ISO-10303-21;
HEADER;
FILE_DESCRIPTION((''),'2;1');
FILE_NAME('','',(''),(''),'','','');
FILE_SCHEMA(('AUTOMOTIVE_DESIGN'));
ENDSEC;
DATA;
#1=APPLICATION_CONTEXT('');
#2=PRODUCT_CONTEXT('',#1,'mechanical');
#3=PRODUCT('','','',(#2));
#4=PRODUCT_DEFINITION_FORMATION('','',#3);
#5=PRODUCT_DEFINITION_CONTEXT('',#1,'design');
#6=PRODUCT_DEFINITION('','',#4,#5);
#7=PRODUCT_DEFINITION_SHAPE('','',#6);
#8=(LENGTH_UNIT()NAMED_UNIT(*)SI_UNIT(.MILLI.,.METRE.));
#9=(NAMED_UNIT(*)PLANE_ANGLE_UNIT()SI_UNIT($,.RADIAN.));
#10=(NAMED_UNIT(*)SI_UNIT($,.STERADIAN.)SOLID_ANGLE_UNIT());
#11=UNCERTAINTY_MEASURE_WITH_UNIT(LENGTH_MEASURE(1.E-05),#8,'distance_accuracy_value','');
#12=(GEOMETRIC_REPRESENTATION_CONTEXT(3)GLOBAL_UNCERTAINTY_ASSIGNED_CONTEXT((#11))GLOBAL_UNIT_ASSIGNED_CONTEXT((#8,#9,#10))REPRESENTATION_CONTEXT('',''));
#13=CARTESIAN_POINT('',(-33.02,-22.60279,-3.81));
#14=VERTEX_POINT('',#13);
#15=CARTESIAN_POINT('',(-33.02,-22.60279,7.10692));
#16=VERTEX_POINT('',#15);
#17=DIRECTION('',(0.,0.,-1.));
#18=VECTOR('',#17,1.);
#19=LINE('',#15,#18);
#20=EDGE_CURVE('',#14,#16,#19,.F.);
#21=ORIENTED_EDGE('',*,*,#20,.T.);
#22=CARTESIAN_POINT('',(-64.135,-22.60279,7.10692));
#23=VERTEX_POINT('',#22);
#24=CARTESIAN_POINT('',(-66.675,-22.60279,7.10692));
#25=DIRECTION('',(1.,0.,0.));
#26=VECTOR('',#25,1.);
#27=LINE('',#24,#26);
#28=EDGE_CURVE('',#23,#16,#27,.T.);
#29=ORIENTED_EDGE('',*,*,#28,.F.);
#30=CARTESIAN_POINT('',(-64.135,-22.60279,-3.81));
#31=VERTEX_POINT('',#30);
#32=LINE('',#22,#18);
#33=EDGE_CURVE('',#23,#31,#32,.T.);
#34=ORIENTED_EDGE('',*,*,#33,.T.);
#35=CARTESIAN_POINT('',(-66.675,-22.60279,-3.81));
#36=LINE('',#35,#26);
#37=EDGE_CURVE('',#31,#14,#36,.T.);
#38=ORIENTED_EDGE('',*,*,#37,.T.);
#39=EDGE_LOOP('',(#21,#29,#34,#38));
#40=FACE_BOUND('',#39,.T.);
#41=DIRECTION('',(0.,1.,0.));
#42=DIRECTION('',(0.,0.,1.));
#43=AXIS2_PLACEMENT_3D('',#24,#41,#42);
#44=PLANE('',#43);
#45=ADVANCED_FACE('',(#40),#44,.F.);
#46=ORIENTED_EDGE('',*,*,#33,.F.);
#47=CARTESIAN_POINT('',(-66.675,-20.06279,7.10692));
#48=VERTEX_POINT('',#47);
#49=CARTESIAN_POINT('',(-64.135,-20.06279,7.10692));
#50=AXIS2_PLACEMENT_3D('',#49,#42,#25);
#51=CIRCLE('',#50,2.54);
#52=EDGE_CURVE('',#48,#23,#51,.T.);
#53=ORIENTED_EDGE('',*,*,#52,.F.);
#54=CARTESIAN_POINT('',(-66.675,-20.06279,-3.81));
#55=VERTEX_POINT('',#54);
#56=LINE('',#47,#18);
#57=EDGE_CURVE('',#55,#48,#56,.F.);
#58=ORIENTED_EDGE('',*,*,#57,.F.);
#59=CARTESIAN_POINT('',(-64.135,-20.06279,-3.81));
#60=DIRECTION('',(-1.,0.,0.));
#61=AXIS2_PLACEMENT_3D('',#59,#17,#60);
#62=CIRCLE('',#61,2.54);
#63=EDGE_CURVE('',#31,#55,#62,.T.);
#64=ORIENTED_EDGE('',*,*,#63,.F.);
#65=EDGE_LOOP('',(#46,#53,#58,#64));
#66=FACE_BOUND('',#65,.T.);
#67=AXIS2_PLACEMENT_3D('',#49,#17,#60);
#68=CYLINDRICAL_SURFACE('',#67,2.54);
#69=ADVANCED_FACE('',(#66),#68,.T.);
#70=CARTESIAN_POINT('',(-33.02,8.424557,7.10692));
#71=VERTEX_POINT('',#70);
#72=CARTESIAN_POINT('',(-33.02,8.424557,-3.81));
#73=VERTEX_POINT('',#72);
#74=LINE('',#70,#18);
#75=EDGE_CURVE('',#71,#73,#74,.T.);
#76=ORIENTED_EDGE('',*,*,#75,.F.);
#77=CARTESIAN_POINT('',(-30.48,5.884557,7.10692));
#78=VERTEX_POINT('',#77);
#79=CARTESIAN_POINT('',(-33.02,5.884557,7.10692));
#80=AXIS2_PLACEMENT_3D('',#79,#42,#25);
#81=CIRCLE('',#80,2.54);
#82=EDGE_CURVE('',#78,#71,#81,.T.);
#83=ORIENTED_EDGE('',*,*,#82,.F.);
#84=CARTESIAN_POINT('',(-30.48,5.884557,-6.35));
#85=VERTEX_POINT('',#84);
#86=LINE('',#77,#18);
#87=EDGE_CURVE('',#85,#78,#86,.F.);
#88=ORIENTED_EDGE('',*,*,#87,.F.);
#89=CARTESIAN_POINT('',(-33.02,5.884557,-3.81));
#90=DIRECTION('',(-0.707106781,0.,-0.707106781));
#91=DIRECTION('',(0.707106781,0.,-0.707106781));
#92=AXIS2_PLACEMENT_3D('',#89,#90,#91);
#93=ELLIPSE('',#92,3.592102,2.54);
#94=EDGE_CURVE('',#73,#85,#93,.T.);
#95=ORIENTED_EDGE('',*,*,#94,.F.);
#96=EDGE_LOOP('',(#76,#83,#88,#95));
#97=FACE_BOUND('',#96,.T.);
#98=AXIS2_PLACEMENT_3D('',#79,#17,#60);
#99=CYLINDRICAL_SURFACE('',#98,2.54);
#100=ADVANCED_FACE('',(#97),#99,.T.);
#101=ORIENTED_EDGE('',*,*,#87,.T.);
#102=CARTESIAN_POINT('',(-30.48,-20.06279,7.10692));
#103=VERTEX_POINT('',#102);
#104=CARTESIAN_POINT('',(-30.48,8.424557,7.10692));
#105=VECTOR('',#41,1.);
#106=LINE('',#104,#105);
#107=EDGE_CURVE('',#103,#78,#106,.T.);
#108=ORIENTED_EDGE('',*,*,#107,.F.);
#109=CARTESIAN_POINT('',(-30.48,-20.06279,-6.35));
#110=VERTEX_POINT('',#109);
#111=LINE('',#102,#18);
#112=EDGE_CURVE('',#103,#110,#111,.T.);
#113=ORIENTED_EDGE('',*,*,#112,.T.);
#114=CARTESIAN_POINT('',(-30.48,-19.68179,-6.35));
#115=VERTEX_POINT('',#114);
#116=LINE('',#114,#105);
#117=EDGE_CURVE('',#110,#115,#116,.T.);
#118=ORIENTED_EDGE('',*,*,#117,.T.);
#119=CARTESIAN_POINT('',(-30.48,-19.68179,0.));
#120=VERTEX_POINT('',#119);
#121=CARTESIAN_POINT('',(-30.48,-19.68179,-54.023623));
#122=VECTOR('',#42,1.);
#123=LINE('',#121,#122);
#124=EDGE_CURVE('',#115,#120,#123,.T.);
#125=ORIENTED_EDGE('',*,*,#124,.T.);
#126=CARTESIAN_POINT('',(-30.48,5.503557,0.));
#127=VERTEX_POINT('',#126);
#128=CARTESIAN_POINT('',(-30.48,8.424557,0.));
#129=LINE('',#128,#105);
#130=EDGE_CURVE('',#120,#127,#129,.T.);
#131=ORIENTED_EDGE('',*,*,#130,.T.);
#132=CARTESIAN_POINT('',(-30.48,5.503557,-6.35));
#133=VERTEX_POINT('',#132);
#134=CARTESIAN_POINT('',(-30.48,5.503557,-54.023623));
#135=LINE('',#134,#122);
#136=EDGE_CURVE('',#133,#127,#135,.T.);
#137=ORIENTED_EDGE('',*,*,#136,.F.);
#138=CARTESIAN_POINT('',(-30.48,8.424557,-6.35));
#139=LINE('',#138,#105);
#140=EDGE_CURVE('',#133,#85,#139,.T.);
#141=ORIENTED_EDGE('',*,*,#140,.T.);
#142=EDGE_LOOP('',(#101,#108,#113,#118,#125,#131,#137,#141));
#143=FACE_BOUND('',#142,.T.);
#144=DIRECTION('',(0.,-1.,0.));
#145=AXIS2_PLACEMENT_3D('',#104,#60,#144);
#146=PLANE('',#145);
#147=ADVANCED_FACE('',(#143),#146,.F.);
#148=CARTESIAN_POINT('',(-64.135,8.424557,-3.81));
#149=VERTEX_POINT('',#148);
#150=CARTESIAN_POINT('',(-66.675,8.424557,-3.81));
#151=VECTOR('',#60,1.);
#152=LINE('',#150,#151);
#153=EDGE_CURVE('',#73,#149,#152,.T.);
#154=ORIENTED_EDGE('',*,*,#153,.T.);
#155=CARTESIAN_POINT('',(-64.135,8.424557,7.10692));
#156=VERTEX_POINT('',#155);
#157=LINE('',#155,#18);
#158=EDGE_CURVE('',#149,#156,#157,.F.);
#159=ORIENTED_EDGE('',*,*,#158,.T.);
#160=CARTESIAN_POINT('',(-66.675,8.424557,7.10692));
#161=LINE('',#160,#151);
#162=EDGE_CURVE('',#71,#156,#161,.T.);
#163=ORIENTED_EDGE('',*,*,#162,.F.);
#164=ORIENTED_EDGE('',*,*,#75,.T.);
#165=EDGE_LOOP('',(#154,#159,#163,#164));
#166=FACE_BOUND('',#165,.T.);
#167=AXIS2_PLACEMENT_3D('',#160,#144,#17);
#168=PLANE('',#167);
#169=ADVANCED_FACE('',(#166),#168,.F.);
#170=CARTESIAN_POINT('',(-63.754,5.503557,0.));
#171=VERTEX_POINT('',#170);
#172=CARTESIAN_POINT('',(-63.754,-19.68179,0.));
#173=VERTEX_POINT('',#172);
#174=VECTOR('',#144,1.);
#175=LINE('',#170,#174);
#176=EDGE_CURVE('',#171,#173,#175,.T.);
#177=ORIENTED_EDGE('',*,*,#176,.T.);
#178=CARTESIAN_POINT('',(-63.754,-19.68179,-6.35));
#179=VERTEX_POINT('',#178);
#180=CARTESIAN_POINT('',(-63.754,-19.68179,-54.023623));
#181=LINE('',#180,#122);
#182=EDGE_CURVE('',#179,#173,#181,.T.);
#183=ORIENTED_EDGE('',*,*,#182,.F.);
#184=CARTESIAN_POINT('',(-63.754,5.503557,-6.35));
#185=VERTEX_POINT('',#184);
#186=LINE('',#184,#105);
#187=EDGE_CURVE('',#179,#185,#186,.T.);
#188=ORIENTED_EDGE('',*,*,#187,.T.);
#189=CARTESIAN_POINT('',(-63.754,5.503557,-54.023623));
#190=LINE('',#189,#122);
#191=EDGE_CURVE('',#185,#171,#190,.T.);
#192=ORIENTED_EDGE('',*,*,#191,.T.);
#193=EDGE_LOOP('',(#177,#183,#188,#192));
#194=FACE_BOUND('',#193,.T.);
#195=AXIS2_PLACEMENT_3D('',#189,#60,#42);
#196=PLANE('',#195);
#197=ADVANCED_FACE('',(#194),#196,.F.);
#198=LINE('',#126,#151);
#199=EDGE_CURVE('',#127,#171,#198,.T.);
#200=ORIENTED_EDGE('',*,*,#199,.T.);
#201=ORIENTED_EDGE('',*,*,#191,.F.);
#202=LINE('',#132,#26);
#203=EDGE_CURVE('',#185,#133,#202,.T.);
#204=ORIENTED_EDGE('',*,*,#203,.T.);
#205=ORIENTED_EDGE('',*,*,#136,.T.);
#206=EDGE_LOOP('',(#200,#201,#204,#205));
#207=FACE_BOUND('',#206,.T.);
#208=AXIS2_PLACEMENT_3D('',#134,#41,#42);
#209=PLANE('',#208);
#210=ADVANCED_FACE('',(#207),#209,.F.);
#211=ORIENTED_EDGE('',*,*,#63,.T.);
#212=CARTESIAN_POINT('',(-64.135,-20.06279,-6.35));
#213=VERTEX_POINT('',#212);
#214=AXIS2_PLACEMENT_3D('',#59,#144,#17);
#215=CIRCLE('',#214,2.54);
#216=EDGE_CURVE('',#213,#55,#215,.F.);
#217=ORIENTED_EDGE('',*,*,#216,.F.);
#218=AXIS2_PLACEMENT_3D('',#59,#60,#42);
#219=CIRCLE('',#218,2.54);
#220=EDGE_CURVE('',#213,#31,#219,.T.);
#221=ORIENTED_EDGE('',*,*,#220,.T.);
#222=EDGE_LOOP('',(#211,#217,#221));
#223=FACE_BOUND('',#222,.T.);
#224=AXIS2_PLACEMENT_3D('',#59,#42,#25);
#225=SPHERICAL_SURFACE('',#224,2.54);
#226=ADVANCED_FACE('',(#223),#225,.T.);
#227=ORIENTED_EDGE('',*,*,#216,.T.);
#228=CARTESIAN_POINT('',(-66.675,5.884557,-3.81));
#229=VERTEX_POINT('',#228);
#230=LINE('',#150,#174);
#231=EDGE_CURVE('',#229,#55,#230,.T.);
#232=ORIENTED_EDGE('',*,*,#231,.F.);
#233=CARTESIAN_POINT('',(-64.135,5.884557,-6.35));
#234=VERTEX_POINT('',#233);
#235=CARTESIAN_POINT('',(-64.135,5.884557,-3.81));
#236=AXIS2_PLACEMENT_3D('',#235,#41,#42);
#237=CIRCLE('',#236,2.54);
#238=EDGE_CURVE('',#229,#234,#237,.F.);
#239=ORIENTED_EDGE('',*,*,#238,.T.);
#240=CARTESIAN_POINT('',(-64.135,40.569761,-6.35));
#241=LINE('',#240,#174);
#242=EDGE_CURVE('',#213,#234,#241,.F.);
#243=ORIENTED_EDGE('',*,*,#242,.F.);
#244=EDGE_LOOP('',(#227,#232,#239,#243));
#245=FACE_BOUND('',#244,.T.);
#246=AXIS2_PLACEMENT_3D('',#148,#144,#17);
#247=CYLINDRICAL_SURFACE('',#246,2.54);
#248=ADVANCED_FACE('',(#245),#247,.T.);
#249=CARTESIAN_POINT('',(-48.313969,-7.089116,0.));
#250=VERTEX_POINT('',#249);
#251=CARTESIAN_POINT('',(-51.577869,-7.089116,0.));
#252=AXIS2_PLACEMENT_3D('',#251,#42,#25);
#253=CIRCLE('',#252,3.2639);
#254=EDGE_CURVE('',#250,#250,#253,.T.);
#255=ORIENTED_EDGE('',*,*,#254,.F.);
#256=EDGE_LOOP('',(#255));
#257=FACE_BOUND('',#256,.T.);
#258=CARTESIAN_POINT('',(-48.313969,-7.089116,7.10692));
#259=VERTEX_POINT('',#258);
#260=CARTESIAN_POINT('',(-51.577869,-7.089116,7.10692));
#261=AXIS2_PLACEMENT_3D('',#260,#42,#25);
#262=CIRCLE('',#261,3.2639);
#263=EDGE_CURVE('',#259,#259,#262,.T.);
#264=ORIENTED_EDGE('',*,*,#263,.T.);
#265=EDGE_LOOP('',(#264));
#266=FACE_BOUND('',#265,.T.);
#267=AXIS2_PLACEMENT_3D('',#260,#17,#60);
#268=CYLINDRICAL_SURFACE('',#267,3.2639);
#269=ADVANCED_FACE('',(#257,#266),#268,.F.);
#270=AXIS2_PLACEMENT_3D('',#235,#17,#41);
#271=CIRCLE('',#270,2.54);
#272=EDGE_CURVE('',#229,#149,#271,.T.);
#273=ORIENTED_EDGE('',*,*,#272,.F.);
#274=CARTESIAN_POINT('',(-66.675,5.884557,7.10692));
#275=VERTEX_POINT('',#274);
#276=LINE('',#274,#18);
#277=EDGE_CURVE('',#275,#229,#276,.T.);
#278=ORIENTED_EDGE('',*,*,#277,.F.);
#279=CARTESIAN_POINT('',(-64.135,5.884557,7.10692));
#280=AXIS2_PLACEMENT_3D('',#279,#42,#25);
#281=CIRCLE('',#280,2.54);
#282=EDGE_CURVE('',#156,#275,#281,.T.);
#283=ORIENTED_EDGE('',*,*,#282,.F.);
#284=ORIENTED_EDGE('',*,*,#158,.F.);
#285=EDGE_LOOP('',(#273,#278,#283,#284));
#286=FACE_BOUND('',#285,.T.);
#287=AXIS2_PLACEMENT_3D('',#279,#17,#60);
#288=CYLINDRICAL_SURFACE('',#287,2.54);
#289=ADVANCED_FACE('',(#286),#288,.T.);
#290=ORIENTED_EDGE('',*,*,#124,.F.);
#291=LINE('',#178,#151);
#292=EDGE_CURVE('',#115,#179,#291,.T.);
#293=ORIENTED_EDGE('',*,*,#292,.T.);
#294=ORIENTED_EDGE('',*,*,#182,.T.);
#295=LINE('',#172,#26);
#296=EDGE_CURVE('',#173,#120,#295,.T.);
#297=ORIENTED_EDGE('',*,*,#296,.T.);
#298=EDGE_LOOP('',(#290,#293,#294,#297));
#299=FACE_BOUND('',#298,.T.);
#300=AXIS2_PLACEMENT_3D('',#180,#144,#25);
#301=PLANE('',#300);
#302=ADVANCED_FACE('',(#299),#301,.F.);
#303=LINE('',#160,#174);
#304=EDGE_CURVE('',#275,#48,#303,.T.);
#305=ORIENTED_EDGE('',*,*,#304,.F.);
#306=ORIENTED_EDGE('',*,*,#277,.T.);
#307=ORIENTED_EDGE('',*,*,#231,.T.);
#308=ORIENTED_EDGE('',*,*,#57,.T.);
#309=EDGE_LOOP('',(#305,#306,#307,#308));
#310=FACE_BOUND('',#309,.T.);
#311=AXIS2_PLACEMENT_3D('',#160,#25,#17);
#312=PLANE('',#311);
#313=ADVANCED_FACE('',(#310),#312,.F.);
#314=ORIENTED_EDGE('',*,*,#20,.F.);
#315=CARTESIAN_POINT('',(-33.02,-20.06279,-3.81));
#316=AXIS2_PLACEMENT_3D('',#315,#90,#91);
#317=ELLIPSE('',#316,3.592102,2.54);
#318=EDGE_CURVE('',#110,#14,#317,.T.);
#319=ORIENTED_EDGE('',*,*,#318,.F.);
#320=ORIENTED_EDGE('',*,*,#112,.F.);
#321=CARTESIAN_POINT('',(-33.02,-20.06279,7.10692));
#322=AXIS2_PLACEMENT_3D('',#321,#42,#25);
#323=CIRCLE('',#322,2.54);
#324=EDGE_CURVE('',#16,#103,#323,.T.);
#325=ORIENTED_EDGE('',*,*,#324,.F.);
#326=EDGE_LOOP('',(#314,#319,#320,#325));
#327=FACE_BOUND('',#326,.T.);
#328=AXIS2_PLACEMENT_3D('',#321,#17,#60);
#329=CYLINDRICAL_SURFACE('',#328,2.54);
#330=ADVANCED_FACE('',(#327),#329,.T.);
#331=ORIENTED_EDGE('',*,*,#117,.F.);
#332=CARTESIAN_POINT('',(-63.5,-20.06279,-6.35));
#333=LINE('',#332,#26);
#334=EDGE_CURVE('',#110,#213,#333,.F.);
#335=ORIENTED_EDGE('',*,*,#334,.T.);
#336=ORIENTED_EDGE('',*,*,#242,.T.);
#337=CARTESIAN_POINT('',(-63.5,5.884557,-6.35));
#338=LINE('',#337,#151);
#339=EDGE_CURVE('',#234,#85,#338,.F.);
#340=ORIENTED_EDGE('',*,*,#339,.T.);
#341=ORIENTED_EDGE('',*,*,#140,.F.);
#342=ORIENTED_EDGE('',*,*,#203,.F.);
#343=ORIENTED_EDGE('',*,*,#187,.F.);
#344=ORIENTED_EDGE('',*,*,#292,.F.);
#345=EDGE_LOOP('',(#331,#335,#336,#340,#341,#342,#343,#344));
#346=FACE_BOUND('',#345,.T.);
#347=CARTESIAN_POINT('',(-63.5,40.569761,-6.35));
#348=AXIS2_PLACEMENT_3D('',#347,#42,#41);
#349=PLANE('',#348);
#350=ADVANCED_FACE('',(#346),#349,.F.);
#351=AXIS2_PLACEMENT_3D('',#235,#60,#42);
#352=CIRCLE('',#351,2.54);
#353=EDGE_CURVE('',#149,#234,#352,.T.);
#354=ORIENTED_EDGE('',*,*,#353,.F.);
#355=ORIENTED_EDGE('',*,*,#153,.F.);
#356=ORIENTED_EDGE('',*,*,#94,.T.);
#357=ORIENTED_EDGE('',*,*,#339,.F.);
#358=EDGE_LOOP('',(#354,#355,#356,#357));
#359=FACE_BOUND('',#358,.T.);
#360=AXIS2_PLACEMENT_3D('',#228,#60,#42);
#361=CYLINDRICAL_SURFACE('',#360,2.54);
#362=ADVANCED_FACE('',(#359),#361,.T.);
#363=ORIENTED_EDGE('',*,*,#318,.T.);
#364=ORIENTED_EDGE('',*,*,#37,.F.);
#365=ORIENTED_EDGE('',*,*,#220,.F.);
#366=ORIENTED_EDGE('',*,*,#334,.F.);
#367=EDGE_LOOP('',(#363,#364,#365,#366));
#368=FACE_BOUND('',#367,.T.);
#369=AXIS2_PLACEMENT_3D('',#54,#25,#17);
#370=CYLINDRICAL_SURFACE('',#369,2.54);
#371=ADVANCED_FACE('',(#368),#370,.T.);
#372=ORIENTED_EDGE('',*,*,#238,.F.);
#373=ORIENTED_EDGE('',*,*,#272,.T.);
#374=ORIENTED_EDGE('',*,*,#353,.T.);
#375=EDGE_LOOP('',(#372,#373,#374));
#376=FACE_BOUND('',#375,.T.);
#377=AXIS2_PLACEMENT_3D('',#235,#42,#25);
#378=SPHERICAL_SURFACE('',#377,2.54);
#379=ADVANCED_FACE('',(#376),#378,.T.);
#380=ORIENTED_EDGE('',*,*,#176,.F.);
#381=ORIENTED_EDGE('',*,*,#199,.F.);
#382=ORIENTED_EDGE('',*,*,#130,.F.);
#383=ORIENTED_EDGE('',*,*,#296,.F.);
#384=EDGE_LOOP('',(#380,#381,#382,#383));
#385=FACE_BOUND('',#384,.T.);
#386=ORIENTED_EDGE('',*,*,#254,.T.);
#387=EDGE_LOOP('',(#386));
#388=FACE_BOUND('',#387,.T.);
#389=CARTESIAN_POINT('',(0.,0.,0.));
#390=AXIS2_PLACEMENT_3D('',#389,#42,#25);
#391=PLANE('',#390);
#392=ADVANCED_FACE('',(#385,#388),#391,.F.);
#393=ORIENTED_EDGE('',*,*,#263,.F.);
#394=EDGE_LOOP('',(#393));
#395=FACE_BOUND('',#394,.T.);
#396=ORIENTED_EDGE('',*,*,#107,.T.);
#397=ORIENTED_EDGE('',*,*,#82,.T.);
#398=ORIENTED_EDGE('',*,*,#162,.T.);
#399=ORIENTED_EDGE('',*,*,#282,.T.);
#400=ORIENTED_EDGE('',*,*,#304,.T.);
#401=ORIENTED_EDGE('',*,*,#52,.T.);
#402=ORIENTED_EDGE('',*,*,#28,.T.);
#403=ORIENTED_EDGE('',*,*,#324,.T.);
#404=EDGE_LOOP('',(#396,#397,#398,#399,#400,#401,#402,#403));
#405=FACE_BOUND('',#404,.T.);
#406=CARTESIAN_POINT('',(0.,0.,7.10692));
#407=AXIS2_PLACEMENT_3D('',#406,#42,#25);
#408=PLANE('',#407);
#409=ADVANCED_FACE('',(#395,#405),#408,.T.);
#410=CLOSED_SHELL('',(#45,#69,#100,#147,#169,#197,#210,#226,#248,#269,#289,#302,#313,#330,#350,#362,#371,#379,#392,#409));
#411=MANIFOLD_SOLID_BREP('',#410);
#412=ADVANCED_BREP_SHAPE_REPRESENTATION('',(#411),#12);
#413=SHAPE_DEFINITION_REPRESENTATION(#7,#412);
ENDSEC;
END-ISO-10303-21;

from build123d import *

# Parameters (mm, degrees)
SKETCH1_W           = 36.195
SKETCH1_H           = 31.027347648
SKETCH1_R           = 3.2639
BOSS_EXTRUDE1_DEPTH = 7.10692
BOSS_EXTRUDE3_DEPTH = 6.35
FILLET1_R           = 2.54


with BuildPart() as part:
    # Sketch1 → Boss-Extrude1 (new body)
    with BuildSketch(Plane.XY):
        with Locations((-48.5775, -7.089116399)):
            Rectangle(SKETCH1_W, SKETCH1_H)
        with Locations((-51.577868645, -7.089116399)):
            Circle(SKETCH1_R, mode=Mode.SUBTRACT)
    extrude(amount=BOSS_EXTRUDE1_DEPTH)

    # Sketch2 → Boss-Extrude3 (add)
    with BuildSketch(Plane(origin=(0, 0, 0), x_dir=(-1, 0, 0), z_dir=(0, 0, -1))):
        Polygon((30.48, -19.681790223), (30.48, -22.602790223), (66.675, -22.602790223), (66.675, 8.424557425), (30.48, 8.424557425), (30.48, 5.503557425), (63.754, 5.503557425), (63.754, -19.681790223), align=None)
    extrude(amount=BOSS_EXTRUDE3_DEPTH)

    # Fillet1
    fillet1_edges = [part.edges().sort_by_distance(p)[0] for p in [
        (-48.5775, 8.424557425, -6.35),
        (-66.675, -7.089116399, -6.35),
        (-48.5775, -22.602790223, -6.35),
        (-66.675, 8.424557425, 0.37846),
        (-30.48, 8.424557425, 0.37846),
        (-30.48, -22.602790223, 0.37846),
        (-66.675, -22.602790223, 0.37846),
    ]]
    fillet(fillet1_edges, radius=FILLET1_R)


solid = part.part
